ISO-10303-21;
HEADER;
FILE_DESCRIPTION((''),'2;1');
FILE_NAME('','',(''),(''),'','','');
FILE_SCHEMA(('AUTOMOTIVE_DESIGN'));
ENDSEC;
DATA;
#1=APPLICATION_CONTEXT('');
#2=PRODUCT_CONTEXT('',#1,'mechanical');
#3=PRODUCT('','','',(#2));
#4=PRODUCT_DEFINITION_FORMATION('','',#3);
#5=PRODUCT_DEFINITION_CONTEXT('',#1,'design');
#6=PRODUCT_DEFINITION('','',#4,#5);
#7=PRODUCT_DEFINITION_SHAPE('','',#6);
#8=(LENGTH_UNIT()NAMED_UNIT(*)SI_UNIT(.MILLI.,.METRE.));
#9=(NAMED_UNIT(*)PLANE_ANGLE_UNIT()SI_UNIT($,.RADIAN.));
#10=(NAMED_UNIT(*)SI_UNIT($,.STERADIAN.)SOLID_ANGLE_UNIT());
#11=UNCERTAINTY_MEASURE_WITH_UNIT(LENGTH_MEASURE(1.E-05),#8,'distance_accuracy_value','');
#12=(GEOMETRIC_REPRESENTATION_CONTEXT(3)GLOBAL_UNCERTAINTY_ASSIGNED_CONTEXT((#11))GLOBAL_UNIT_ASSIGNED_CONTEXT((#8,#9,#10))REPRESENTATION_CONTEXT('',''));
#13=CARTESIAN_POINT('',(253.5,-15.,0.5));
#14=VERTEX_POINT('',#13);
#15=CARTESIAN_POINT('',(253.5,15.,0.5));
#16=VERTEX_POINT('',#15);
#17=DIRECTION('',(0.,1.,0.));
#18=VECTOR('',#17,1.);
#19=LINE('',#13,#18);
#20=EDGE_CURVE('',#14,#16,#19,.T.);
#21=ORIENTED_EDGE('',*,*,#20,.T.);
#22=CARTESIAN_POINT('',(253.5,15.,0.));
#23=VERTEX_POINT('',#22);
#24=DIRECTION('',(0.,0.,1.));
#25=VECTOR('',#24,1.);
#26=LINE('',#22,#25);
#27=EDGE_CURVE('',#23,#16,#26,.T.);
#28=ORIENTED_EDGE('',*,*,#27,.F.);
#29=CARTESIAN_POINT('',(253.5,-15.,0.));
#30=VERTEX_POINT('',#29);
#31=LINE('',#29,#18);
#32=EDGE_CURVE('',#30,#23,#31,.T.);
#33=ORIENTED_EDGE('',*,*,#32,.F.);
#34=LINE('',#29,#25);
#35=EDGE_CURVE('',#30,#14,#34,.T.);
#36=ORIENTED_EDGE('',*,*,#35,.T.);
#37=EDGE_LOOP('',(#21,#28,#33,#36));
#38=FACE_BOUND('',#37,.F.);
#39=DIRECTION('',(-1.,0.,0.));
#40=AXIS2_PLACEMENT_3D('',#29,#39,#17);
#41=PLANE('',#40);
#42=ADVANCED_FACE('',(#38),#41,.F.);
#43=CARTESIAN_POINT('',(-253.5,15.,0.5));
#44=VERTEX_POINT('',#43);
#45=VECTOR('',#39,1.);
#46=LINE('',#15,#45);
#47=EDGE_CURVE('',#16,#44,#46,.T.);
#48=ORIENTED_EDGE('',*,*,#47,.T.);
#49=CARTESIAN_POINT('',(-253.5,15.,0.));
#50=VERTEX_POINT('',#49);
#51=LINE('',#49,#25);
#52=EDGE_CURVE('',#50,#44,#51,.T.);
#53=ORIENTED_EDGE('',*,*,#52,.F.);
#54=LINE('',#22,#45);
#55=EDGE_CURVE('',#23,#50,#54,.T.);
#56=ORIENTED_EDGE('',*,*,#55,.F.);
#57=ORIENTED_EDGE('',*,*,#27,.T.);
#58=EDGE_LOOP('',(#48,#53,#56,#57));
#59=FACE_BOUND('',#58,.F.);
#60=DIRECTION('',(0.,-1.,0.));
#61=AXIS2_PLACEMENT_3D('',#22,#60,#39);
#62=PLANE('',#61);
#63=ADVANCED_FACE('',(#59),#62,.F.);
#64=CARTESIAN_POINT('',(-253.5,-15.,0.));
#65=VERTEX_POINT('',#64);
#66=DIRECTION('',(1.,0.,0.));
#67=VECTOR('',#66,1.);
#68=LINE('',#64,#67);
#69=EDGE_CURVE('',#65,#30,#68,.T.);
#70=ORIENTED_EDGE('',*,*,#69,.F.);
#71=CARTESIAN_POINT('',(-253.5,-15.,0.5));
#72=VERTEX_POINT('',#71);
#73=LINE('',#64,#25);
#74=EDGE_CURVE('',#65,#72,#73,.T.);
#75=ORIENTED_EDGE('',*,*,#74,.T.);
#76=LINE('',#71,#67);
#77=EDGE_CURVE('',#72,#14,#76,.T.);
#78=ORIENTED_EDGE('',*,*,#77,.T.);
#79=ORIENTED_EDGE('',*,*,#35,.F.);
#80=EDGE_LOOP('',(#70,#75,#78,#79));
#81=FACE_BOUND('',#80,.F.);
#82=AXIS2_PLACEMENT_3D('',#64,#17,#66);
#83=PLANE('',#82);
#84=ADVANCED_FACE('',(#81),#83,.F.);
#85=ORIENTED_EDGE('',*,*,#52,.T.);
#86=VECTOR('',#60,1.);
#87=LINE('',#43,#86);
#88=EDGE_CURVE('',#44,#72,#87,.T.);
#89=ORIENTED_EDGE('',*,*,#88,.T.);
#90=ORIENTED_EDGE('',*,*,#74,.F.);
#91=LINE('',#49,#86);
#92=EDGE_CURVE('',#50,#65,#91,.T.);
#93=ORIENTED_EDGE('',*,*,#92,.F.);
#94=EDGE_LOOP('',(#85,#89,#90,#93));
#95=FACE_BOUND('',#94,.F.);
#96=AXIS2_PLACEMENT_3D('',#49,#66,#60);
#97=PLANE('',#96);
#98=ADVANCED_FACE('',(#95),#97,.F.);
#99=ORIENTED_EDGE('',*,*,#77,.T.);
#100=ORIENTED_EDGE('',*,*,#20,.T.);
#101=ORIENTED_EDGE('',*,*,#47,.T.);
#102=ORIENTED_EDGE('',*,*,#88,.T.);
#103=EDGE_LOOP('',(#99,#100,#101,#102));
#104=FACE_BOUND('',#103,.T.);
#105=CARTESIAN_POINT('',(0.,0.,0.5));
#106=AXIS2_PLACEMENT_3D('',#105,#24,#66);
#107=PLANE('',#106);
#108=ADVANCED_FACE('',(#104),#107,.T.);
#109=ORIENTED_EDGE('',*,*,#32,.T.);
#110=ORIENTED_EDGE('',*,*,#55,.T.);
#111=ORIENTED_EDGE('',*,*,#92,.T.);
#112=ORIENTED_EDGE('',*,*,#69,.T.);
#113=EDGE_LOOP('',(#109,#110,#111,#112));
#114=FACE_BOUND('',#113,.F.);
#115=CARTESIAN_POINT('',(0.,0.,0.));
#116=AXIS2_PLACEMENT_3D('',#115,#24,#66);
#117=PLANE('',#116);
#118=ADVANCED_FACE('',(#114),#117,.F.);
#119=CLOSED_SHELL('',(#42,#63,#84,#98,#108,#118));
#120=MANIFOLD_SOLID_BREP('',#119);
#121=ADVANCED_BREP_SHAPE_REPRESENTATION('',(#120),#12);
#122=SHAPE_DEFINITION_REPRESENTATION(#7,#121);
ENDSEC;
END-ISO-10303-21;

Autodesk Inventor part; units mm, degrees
ref_plane "YZ Plane" through (0, 0, 0) normal (1, 0, 0) x (0, 1, 0)
ref_plane "XZ Plane" through (0, 0, 0) normal (0, 1, 0) x (-1, 0, 0)
ref_plane "XY Plane" through (0, 0, 0) normal (0, 0, 1) x (1, 0, 0)
sketch "Sketch1" plane through (0, 0, 0) normal (0, 0, 1) x (1, 0, 0)
  line L0 (-253.5, -15) -> (253.5, -15)
  line L1 (253.5, -15) -> (253.5, 15)
  line L2 (253.5, 15) -> (-253.5, 15)
  line L3 (-253.5, 15) -> (-253.5, -15)
  line L4 (-253.5, -15) -> (253.5, 15) construction
  line L5 (253.5, -15) -> (-253.5, 15) construction
  point P0 (0, 0)
  dimension "d0" = 507
  dimension "d1" = 30
extrude "Plate1" add sketch "Sketch1" along normal blind 0.5
equation "\"d2\" = Thickness"
equation "\"BendRadius\" = Thickness"
equation "\"BendReliefWidth\" = Thickness"
equation "\"BendReliefDepth\" = 0.5 * Thickness"
equation "\"CornerReliefSize\" = 4 * Thickness"
equation "\"MinimumRemnant\" = 2 * Thickness"
equation "\"TransitionRadius\" = BendRadius"
equation "\"JacobiRadiusSize\" = BendRadius"
equation "\"GapSize\" = Thickness"
equation "\"Thickness\" = 0.5"
properties part number "Cone Support"
